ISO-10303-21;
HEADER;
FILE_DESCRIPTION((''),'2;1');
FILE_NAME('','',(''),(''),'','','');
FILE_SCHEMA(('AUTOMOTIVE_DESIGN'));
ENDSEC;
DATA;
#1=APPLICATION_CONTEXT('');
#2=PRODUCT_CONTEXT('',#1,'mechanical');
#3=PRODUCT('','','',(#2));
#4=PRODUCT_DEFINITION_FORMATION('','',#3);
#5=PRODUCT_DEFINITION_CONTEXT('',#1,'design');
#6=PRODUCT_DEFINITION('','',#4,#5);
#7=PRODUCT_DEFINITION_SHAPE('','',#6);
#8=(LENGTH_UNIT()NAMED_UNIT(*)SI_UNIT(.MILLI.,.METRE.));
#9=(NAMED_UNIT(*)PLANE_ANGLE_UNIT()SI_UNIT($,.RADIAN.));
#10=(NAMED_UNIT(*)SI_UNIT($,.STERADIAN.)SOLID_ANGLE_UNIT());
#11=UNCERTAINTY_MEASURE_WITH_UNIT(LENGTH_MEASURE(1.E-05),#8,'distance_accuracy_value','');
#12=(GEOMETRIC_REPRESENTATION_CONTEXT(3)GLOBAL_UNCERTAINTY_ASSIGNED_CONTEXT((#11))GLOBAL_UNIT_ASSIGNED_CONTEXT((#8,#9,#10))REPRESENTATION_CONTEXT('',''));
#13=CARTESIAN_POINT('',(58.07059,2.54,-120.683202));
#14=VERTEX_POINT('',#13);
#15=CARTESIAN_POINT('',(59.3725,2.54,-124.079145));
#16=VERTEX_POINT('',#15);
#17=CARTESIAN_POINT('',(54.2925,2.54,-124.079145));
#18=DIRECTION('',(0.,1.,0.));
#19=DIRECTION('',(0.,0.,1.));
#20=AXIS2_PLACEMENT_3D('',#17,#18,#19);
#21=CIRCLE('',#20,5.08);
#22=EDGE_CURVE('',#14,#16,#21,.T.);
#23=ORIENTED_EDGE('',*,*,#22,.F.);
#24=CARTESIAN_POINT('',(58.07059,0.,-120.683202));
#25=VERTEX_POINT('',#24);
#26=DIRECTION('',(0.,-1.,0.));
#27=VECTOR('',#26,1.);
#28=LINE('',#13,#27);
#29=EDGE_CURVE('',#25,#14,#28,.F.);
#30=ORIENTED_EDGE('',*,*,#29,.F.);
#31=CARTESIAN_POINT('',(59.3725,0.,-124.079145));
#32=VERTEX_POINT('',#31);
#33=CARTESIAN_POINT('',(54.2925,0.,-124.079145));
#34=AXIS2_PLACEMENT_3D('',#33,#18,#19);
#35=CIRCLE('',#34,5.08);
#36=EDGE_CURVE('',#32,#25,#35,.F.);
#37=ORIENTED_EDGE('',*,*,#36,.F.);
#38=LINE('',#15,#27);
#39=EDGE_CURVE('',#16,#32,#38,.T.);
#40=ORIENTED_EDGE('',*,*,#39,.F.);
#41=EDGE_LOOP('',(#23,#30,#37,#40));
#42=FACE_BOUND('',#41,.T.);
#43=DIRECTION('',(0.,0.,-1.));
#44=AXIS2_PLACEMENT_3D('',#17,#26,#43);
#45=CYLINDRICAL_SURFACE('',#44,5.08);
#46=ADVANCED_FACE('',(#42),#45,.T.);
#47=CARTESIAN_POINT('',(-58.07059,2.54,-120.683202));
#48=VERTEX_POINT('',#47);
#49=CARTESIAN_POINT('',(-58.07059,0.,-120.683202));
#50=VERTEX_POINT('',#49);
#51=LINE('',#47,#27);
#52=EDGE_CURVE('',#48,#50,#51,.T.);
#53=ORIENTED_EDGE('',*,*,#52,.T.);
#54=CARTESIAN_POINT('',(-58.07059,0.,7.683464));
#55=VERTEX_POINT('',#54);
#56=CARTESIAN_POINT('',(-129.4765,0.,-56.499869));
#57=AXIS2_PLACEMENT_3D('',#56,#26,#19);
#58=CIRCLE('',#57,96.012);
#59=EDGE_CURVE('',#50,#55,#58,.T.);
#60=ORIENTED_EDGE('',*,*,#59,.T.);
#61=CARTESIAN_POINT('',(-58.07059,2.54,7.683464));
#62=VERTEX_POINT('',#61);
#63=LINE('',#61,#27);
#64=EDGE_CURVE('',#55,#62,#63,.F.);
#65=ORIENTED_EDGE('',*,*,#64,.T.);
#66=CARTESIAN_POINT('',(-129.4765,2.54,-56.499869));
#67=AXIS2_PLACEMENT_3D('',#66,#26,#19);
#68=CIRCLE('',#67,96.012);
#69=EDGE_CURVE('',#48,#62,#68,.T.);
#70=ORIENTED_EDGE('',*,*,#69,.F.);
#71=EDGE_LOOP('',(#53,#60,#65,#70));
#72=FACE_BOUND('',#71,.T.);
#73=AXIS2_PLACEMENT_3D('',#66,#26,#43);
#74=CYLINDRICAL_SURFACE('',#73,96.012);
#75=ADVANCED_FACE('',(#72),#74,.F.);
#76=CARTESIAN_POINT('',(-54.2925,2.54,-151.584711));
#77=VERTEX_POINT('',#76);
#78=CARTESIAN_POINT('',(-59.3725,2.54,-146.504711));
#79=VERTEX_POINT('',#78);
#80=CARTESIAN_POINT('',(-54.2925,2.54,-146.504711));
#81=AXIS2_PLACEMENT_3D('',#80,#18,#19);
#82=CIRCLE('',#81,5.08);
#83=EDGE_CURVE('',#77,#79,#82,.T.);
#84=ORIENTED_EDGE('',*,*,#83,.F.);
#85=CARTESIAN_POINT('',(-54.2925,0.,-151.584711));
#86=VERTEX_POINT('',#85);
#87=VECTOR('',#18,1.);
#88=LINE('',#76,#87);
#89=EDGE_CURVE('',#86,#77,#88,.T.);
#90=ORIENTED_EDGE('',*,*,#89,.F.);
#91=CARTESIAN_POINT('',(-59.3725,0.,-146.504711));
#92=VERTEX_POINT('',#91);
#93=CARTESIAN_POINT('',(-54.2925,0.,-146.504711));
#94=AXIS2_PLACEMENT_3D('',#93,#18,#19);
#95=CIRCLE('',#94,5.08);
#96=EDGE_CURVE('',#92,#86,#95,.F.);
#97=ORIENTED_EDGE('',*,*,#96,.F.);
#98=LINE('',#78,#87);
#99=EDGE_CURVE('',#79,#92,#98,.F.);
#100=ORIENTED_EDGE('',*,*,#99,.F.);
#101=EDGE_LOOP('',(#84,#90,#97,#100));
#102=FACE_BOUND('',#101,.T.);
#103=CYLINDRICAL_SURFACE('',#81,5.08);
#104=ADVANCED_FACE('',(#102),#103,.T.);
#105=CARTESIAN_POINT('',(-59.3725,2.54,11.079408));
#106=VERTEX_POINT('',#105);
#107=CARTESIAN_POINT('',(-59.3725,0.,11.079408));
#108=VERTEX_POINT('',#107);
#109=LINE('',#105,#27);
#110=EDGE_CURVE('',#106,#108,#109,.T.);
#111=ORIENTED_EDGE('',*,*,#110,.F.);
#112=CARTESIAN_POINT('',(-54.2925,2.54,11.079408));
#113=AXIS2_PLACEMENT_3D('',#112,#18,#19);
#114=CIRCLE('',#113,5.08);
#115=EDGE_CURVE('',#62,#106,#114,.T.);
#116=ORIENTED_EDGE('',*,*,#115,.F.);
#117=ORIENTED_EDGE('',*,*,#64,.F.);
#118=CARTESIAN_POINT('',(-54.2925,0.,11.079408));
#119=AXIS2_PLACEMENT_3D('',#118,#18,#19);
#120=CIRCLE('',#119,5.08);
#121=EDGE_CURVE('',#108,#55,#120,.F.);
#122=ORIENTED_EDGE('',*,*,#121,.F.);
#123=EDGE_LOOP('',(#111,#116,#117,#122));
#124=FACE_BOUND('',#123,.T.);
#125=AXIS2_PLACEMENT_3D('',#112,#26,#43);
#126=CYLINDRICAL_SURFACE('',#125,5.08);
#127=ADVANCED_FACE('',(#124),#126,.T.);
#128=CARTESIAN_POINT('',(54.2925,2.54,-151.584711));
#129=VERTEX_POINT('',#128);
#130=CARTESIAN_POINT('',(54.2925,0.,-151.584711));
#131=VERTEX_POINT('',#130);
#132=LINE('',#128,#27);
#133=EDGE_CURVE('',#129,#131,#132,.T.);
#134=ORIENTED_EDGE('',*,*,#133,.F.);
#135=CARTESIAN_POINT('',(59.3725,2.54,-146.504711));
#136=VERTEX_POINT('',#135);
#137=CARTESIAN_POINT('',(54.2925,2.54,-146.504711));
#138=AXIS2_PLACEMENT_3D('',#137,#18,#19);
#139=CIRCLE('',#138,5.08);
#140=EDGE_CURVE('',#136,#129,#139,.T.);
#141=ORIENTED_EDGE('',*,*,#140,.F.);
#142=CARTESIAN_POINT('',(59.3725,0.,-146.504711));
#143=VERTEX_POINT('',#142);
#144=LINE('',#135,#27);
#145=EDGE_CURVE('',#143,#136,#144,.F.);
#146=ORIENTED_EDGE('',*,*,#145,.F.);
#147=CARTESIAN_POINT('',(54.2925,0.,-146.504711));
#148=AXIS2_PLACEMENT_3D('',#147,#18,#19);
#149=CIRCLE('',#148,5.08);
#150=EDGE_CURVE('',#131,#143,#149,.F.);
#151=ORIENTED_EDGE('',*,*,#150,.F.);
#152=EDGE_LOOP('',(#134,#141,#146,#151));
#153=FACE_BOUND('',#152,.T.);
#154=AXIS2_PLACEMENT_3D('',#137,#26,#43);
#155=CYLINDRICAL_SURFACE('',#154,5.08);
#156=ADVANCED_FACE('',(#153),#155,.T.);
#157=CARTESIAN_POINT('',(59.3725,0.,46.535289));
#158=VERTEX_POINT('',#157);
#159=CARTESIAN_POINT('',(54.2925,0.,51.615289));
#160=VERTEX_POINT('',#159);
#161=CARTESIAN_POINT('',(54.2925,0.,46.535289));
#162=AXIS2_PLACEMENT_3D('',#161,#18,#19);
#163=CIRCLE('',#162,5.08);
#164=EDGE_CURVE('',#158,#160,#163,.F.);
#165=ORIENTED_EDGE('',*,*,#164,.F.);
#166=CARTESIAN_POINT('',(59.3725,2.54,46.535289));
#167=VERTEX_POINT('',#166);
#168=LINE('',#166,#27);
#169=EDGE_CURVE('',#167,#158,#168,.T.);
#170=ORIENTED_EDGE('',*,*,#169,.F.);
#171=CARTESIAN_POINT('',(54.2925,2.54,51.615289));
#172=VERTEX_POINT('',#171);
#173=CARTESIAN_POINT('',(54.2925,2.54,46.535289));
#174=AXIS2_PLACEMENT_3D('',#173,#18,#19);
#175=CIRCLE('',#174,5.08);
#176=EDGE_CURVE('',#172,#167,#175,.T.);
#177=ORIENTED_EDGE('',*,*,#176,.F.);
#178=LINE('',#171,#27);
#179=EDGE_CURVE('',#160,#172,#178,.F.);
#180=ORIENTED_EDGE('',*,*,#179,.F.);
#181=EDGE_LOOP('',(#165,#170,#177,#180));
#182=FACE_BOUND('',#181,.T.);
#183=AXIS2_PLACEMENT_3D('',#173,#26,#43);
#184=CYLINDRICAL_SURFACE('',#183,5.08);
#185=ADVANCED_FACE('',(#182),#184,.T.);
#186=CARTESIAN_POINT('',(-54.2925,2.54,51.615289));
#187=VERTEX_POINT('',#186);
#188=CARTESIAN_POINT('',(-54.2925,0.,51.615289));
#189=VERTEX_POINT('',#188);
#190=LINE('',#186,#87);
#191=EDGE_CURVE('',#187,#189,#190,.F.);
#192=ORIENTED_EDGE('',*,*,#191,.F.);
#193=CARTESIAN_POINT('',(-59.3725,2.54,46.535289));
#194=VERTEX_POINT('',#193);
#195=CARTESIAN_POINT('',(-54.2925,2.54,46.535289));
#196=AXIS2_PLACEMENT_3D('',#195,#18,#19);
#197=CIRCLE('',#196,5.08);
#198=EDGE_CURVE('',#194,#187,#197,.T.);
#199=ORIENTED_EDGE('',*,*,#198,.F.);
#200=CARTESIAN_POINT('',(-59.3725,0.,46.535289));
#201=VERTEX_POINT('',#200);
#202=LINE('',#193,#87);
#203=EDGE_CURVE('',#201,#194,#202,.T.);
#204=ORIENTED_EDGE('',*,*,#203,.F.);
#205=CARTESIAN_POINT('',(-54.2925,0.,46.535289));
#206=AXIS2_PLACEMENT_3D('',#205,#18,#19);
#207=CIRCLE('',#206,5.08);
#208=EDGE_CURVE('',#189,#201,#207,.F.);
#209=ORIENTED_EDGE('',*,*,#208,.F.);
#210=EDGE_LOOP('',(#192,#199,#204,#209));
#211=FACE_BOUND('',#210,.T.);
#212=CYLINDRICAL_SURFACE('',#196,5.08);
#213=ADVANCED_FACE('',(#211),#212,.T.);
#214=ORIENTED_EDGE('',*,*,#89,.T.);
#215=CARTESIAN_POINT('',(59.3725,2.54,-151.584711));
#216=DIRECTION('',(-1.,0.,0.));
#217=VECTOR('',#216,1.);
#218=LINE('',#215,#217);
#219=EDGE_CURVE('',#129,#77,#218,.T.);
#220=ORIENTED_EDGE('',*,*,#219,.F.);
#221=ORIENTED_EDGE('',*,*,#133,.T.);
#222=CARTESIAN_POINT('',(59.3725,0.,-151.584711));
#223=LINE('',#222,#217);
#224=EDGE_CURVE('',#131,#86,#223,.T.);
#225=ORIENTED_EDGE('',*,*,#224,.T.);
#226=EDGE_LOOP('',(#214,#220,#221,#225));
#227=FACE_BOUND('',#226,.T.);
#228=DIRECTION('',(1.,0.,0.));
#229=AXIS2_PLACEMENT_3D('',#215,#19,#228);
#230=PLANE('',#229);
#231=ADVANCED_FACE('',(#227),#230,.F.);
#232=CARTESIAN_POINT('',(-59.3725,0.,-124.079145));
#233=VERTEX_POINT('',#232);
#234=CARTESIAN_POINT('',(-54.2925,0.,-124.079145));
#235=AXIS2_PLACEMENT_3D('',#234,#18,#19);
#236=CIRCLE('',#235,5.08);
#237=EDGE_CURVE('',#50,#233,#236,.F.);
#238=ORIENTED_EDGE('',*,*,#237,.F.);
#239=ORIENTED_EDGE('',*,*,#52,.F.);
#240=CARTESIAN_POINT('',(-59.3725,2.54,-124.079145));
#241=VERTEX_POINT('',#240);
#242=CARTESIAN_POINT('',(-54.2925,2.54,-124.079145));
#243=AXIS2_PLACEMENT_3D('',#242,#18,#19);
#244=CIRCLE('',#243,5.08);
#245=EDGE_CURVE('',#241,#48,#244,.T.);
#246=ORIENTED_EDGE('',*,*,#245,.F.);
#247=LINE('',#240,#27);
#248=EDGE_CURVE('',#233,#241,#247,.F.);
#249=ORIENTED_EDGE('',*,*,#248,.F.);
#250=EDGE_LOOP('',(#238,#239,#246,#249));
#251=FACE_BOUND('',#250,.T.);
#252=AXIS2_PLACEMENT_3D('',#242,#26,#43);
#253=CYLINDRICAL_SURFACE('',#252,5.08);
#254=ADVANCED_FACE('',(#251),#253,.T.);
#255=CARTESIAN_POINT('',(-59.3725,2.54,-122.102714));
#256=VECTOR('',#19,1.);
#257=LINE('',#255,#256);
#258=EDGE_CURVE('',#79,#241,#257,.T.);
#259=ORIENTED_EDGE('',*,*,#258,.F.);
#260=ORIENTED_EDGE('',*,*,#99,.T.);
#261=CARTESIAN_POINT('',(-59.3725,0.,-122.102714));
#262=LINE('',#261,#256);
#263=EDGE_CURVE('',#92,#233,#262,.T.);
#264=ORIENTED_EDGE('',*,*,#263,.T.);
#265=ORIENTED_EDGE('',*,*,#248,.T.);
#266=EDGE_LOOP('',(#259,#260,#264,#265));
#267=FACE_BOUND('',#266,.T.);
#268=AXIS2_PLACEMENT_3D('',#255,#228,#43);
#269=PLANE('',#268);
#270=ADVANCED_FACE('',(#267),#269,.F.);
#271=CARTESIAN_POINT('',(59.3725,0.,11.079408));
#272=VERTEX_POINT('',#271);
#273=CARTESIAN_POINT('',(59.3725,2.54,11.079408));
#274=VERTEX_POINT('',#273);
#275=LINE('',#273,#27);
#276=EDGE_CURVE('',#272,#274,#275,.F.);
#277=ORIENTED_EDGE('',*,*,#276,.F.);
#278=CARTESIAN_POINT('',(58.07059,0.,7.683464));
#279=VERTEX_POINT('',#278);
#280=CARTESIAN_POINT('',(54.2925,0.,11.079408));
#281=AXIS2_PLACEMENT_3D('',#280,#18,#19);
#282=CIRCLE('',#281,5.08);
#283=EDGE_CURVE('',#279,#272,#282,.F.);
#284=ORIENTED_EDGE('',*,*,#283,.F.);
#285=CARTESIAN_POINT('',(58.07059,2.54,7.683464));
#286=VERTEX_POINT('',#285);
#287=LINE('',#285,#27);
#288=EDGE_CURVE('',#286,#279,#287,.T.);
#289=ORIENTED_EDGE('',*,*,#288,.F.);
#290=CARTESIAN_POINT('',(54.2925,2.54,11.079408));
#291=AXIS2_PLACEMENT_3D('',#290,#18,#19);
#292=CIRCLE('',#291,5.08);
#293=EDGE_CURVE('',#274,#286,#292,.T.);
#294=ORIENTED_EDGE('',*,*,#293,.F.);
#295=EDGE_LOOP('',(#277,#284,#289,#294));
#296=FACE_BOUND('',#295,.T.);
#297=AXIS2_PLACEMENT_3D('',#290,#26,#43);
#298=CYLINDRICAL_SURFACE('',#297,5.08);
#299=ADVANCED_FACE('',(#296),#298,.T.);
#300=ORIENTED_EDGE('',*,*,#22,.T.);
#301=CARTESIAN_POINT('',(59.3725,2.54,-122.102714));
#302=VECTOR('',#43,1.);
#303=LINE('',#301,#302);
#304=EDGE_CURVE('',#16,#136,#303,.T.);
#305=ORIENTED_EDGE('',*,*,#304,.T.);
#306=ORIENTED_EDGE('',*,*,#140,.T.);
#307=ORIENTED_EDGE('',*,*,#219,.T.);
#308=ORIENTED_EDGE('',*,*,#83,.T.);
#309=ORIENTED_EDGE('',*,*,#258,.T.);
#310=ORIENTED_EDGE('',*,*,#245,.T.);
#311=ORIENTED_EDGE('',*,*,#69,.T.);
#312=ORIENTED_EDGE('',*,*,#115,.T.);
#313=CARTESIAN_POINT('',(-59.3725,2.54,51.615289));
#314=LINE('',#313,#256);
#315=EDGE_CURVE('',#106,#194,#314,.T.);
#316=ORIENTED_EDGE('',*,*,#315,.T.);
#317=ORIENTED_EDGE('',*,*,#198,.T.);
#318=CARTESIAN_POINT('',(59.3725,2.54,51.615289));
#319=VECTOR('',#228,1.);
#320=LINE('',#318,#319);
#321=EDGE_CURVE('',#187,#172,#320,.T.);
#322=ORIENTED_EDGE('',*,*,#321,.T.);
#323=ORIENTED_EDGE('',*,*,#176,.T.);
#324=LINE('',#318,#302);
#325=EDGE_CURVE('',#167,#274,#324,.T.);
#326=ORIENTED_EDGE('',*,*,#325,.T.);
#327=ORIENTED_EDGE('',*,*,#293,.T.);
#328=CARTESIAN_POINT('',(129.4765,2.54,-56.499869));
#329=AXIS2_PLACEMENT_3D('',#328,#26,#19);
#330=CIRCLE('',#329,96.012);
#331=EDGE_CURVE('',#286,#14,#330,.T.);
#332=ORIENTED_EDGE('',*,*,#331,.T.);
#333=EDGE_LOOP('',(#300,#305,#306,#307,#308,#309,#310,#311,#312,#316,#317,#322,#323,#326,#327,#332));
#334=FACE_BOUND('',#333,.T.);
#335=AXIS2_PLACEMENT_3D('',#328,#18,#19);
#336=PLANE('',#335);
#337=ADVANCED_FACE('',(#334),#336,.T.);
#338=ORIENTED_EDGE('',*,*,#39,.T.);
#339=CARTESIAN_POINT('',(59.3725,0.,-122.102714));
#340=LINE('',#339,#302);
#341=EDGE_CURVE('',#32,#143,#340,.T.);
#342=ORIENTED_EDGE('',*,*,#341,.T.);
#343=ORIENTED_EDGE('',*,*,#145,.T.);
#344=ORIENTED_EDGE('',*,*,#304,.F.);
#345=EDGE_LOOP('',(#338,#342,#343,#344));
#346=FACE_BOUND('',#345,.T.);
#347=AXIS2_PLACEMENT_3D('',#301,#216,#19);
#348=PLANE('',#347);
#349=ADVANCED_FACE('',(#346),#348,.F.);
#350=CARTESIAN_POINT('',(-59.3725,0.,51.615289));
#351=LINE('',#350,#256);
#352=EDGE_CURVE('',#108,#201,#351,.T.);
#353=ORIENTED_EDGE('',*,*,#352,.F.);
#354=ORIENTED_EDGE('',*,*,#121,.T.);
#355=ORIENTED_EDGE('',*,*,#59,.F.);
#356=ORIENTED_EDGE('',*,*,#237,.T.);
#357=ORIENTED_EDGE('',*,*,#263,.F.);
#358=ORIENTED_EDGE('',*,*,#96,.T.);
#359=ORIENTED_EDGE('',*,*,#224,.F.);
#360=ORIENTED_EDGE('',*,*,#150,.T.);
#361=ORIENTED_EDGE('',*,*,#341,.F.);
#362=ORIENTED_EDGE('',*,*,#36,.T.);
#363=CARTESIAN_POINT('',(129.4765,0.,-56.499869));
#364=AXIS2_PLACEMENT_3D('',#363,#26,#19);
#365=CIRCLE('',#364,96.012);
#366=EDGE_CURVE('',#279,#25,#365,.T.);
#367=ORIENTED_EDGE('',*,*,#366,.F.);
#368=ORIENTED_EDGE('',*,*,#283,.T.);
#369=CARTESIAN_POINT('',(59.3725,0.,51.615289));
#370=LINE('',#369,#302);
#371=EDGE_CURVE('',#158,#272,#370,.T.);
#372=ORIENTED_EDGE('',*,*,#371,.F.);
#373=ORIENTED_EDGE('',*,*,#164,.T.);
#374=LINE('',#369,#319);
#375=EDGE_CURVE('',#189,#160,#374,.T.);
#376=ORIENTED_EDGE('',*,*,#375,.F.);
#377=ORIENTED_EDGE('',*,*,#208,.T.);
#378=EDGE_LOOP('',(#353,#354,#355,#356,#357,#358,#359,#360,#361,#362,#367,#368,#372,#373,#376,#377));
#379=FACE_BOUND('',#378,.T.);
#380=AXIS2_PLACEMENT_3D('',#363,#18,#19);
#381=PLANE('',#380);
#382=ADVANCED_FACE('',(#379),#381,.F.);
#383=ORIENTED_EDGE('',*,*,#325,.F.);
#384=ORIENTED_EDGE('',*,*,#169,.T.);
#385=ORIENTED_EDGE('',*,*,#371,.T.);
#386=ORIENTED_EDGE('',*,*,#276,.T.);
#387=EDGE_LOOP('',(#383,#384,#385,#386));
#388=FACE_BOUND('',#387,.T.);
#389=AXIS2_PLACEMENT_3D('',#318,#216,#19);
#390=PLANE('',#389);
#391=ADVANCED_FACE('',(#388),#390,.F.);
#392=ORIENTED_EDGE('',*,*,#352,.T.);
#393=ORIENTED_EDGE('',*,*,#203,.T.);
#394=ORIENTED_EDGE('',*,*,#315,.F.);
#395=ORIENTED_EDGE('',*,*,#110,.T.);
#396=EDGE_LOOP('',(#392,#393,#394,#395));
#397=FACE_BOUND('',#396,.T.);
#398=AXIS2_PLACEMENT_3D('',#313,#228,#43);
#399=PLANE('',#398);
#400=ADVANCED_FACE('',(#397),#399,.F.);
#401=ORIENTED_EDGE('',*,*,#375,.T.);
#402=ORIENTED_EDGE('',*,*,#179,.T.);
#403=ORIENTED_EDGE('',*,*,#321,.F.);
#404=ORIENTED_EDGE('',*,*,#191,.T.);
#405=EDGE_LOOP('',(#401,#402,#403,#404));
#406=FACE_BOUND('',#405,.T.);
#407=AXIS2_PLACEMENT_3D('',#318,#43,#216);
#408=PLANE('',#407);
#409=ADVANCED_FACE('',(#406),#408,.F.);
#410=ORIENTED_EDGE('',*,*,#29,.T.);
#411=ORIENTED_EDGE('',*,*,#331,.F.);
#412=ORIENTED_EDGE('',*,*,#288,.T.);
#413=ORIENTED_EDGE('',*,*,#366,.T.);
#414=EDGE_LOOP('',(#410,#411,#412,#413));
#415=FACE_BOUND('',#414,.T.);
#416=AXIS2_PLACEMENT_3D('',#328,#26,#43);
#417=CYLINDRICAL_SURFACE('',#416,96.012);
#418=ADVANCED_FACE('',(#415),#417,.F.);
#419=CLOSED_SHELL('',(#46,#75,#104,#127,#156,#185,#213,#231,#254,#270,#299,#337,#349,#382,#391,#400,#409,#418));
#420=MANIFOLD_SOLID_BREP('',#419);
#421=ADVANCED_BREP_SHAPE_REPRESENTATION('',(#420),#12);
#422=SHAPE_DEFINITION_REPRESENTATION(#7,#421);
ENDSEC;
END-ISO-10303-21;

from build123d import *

# Parameters (mm, degrees)
BOSS_EXTRUDE1_DEPTH = 2.54
FILLET3_R           = 5.08
FILLET4_R           = 5.08
FILLET5_R           = 5.08
FILLET6_R           = 5.08
FILLET7_R           = 5.08
FILLET8_R           = 5.08
FILLET9_R           = 5.08
FILLET10_R          = 5.08


with BuildPart() as part:
    # Sketch2 → Boss-Extrude1 (new body)
    with BuildSketch(Plane(origin=(0, 0, 0), x_dir=(1, 0, 0), z_dir=(0, 1, 0))):
        with BuildLine():
            Line((-59.3725, 122.102714319), (-59.3725, 151.584711055))
            Line((-59.3725, 151.584711055), (59.3725, 151.584711055))
            Line((59.3725, 151.584711055), (59.3725, 122.102714319))
            ThreePointArc((59.3725, 122.102714319), (33.4645, 56.499868893), (59.3725, -9.102976533))
            Line((59.3725, -9.102976533), (59.3725, -51.615288945))
            Line((59.3725, -51.615288945), (-59.3725, -51.615288945))
            Line((-59.3725, -51.615288945), (-59.3725, -9.102976533))
            ThreePointArc((-59.3725, -9.102976533), (-33.4645, 56.499868893), (-59.3725, 122.102714319))
        make_face()
    extrude(amount=BOSS_EXTRUDE1_DEPTH)

    # Fillet3
    fillet3_edges = [part.edges().sort_by_distance(p)[0] for p in [
        (-59.3725, 1.27, -151.584711055),
    ]]
    fillet(fillet3_edges, radius=FILLET3_R)

    # Fillet4
    fillet4_edges = [part.edges().sort_by_distance(p)[0] for p in [
        (59.3725, 1.27, -151.584711055),
    ]]
    fillet(fillet4_edges, radius=FILLET4_R)

    # Fillet5
    fillet5_edges = [part.edges().sort_by_distance(p)[0] for p in [
        (-59.3725, 1.27, -122.102714319),
    ]]
    fillet(fillet5_edges, radius=FILLET5_R)

    # Fillet6
    fillet6_edges = [part.edges().sort_by_distance(p)[0] for p in [
        (59.3725, 1.27, -122.102714319),
    ]]
    fillet(fillet6_edges, radius=FILLET6_R)

    # Fillet7
    fillet7_edges = [part.edges().sort_by_distance(p)[0] for p in [
        (-59.3725, 1.27, 9.102976533),
    ]]
    fillet(fillet7_edges, radius=FILLET7_R)

    # Fillet8
    fillet8_edges = [part.edges().sort_by_distance(p)[0] for p in [
        (59.3725, 1.27, 9.102976533),
    ]]
    fillet(fillet8_edges, radius=FILLET8_R)

    # Fillet9
    fillet9_edges = [part.edges().sort_by_distance(p)[0] for p in [
        (59.3725, 1.27, 51.615288945),
    ]]
    fillet(fillet9_edges, radius=FILLET9_R)

    # Fillet10
    fillet10_edges = [part.edges().sort_by_distance(p)[0] for p in [
        (-59.3725, 1.27, 51.615288945),
    ]]
    fillet(fillet10_edges, radius=FILLET10_R)


solid = part.part
